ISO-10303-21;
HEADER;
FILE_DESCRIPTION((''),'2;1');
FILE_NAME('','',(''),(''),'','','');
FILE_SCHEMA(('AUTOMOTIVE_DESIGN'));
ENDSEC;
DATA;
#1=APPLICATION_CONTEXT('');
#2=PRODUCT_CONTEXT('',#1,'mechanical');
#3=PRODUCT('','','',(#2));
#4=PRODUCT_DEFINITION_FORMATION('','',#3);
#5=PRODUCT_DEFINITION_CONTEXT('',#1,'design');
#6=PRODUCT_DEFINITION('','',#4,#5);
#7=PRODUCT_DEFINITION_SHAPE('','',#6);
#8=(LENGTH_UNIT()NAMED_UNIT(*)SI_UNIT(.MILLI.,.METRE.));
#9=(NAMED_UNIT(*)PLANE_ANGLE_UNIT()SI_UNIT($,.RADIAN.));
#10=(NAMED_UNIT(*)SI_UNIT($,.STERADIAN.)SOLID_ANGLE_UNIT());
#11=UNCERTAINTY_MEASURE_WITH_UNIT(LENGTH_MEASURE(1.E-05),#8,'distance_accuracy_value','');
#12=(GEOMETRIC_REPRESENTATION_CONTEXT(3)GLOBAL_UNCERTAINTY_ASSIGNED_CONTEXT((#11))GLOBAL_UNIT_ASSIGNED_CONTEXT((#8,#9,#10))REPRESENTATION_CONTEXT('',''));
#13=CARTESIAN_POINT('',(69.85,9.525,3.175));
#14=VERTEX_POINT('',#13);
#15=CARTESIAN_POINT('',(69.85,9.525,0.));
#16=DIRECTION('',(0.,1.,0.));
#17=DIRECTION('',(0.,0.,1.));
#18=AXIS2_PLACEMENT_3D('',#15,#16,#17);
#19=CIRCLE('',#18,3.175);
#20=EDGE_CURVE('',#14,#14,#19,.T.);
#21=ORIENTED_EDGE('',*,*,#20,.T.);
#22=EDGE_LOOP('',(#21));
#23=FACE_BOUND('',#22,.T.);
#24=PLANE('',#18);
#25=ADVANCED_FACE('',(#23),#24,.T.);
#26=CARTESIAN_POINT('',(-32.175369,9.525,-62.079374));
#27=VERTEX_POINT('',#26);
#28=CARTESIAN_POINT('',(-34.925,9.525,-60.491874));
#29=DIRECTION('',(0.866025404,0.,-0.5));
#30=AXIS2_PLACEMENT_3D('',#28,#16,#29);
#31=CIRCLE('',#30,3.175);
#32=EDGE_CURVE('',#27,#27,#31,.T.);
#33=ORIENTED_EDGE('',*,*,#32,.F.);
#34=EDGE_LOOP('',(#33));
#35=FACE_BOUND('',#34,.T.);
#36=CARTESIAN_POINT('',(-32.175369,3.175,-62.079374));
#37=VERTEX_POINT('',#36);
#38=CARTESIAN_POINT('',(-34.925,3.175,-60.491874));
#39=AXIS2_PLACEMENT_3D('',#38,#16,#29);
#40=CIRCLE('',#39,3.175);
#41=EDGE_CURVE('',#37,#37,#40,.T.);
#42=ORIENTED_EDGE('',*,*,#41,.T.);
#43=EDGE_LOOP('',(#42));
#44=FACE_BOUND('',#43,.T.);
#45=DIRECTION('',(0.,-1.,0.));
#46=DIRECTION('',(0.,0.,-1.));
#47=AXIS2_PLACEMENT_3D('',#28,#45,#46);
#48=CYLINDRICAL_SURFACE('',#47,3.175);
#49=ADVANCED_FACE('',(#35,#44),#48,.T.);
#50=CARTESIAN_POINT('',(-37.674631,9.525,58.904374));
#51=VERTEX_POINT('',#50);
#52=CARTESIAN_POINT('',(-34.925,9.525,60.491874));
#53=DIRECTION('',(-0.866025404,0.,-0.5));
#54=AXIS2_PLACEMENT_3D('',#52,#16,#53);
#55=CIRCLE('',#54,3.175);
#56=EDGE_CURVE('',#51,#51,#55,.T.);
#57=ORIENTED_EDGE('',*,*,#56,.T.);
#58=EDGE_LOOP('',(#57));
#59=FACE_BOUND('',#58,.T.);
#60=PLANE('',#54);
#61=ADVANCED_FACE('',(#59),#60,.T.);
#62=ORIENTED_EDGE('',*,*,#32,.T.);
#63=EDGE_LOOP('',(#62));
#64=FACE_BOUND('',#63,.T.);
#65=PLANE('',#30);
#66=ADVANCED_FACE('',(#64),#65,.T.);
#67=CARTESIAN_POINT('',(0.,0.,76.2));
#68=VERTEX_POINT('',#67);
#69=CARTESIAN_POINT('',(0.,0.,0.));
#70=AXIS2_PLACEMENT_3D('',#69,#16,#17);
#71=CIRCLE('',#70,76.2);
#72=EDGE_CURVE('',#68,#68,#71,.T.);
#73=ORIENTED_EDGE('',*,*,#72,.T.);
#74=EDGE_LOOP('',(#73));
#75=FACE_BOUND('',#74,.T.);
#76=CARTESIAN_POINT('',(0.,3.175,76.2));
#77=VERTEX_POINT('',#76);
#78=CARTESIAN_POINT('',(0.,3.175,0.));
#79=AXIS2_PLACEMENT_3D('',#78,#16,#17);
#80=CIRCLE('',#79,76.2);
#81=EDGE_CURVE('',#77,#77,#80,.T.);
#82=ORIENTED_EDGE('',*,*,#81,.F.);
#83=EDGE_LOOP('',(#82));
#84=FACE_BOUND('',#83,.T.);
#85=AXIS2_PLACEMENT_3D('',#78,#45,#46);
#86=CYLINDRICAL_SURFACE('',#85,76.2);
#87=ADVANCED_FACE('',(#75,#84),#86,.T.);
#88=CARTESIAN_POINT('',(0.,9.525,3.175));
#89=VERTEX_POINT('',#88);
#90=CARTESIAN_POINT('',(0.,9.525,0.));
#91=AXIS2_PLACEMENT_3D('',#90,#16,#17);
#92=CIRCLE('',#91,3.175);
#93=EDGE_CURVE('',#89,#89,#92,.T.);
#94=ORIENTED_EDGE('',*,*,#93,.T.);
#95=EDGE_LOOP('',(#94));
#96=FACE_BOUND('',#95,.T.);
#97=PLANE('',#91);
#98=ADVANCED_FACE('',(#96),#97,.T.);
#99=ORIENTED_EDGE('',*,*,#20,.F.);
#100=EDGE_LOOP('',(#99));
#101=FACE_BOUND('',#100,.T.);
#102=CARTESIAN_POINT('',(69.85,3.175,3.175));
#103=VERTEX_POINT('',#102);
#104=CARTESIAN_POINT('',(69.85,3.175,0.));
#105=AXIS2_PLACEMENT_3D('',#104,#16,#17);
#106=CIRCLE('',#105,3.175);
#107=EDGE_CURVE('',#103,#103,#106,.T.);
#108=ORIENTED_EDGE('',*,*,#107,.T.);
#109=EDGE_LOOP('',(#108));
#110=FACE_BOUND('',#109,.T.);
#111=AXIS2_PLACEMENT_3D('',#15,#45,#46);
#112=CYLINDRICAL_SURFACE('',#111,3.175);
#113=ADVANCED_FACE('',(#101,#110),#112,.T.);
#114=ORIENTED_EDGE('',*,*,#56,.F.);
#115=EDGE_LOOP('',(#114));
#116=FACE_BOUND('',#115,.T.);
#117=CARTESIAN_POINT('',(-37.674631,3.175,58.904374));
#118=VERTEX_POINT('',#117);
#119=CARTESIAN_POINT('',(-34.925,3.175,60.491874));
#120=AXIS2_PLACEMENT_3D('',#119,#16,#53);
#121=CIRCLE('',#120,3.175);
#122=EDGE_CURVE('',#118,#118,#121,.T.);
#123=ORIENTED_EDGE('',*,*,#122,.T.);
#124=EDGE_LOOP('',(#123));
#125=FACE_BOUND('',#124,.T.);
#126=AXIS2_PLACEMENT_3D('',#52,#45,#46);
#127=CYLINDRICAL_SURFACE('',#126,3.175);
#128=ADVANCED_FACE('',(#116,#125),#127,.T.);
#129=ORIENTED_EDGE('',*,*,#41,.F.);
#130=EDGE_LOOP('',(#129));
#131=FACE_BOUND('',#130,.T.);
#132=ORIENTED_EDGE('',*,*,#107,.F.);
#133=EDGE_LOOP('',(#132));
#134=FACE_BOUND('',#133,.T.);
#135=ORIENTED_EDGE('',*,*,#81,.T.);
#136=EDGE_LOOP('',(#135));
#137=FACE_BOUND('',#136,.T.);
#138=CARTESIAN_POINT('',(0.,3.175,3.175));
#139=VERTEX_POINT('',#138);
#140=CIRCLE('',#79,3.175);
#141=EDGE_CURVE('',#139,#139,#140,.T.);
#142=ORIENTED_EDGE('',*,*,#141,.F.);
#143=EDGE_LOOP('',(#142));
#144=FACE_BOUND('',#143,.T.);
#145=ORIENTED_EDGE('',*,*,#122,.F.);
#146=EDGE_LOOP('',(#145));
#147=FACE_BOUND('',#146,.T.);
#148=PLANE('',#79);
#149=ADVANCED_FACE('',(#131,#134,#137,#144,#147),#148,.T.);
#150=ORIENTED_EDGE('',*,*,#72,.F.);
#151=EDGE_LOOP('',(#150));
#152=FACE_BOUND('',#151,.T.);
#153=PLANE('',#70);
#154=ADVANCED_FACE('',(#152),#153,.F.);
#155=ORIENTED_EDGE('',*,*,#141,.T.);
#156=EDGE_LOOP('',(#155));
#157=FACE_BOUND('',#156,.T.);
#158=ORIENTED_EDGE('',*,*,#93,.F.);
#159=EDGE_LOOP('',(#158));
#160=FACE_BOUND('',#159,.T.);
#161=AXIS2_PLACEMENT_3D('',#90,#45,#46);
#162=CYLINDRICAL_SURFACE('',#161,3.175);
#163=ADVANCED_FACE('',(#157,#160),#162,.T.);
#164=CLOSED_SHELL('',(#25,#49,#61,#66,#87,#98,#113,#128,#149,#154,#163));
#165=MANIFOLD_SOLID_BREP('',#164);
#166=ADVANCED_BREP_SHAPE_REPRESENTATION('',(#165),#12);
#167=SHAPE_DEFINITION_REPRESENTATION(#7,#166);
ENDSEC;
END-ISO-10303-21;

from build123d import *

# Parameters (mm, degrees)
SKETCH1_R           = 76.2
BOSS_EXTRUDE1_DEPTH = 3.175
SKETCH3_R           = 3.175
BOSS_EXTRUDE2_DEPTH = 6.35
CIRPATTERN1_COUNT   = 3


with BuildPart() as part:
    # Sketch1 → Boss-Extrude1 (new body)
    with BuildSketch(Plane(origin=(0, 0, 0), x_dir=(1, 0, 0), z_dir=(0, 1, 0))):
        with Locations(Location((0, 0, 0), (0, 0, 270))):
            Circle(SKETCH1_R)
    extrude(amount=BOSS_EXTRUDE1_DEPTH)

    # Sketch3 → Boss-Extrude2 (add)
    with BuildSketch(Plane(origin=(0, 3.175, 0), x_dir=(1, 0, 0), z_dir=(0, 1, 0))):
        with Locations(Location((0, 0, 0), (0, 0, 270))):
            Circle(SKETCH3_R)
        with Locations(Location((69.85, 0, 0), (0, 0, 270))):
            Circle(SKETCH3_R)
    boss_extrude2 = extrude(amount=BOSS_EXTRUDE2_DEPTH)

    # CirPattern1: Boss-Extrude2 ×3 about axis
    cirpattern1_axis = Axis((0, 0, 0), (0, 1, 0))
    for i in range(1, CIRPATTERN1_COUNT):
        add(boss_extrude2.rotate(cirpattern1_axis, i * 360 / CIRPATTERN1_COUNT))


solid = part.part
